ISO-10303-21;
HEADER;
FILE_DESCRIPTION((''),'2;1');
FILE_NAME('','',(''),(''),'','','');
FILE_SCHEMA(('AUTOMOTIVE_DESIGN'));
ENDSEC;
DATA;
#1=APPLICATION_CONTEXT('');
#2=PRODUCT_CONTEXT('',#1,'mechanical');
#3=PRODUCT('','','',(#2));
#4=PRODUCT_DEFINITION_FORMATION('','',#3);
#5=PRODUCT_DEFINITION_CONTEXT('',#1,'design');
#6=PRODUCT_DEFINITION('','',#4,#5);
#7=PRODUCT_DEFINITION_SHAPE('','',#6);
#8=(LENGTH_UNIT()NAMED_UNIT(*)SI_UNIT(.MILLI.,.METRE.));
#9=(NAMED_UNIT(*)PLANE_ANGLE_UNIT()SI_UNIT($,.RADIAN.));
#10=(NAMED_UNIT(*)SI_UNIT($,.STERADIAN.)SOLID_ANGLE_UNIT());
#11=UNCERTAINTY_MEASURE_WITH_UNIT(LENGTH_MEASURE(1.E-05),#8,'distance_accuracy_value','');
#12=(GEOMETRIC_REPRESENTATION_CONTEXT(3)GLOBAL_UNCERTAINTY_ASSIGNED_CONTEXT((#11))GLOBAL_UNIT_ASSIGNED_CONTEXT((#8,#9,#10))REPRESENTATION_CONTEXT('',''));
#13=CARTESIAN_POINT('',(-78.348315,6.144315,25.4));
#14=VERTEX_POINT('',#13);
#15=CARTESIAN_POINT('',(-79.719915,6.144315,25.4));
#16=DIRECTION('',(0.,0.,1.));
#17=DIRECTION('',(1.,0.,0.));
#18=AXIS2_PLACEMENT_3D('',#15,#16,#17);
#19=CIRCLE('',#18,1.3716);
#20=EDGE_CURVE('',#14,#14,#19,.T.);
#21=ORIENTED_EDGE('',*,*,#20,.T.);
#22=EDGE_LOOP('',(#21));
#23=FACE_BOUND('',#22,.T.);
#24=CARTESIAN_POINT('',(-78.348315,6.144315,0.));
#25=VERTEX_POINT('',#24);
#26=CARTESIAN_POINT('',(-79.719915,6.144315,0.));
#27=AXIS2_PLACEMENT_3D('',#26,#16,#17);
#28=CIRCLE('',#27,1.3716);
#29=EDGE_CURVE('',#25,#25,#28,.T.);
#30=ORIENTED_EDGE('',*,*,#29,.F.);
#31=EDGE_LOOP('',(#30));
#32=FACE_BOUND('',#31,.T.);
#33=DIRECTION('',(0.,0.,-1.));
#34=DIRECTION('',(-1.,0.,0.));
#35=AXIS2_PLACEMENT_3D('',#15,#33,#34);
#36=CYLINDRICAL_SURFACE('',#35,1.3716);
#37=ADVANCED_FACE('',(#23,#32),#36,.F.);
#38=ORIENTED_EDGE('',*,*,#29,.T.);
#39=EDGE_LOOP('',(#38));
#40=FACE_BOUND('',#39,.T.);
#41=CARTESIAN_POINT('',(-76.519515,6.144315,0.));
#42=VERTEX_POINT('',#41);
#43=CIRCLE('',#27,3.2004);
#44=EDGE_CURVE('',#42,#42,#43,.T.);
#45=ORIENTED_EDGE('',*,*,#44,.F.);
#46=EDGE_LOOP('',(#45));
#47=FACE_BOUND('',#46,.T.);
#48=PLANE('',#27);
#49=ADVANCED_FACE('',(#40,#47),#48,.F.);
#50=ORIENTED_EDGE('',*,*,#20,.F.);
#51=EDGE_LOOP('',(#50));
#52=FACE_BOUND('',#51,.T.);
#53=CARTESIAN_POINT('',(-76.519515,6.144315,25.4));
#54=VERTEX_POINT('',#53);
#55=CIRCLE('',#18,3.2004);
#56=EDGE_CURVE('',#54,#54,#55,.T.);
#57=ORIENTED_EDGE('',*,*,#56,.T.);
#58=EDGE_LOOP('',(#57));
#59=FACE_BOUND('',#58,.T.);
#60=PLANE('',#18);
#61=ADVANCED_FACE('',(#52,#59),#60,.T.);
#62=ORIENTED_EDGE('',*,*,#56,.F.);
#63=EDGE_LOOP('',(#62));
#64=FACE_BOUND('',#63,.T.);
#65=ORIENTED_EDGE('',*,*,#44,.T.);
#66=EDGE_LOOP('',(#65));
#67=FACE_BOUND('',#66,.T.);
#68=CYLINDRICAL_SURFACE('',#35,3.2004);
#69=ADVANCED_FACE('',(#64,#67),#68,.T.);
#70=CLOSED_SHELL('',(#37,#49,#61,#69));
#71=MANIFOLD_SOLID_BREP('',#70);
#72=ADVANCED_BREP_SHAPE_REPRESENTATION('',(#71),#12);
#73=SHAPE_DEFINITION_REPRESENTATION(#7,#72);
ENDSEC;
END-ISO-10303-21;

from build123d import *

# Parameters (mm, degrees)
SKETCH7_R           = 3.2004
SKETCH7_R_2         = 1.3716
BOSS_EXTRUDE4_DEPTH = 25.4


with BuildPart() as part:
    # Sketch7 → Boss-Extrude4 (new body)
    with BuildSketch(Plane.XY):
        with Locations((-79.719915494, 6.144314544)):
            Circle(SKETCH7_R)
        with Locations((-79.719915494, 6.144314544)):
            Circle(SKETCH7_R_2, mode=Mode.SUBTRACT)
    extrude(amount=BOSS_EXTRUDE4_DEPTH)


solid = part.part
